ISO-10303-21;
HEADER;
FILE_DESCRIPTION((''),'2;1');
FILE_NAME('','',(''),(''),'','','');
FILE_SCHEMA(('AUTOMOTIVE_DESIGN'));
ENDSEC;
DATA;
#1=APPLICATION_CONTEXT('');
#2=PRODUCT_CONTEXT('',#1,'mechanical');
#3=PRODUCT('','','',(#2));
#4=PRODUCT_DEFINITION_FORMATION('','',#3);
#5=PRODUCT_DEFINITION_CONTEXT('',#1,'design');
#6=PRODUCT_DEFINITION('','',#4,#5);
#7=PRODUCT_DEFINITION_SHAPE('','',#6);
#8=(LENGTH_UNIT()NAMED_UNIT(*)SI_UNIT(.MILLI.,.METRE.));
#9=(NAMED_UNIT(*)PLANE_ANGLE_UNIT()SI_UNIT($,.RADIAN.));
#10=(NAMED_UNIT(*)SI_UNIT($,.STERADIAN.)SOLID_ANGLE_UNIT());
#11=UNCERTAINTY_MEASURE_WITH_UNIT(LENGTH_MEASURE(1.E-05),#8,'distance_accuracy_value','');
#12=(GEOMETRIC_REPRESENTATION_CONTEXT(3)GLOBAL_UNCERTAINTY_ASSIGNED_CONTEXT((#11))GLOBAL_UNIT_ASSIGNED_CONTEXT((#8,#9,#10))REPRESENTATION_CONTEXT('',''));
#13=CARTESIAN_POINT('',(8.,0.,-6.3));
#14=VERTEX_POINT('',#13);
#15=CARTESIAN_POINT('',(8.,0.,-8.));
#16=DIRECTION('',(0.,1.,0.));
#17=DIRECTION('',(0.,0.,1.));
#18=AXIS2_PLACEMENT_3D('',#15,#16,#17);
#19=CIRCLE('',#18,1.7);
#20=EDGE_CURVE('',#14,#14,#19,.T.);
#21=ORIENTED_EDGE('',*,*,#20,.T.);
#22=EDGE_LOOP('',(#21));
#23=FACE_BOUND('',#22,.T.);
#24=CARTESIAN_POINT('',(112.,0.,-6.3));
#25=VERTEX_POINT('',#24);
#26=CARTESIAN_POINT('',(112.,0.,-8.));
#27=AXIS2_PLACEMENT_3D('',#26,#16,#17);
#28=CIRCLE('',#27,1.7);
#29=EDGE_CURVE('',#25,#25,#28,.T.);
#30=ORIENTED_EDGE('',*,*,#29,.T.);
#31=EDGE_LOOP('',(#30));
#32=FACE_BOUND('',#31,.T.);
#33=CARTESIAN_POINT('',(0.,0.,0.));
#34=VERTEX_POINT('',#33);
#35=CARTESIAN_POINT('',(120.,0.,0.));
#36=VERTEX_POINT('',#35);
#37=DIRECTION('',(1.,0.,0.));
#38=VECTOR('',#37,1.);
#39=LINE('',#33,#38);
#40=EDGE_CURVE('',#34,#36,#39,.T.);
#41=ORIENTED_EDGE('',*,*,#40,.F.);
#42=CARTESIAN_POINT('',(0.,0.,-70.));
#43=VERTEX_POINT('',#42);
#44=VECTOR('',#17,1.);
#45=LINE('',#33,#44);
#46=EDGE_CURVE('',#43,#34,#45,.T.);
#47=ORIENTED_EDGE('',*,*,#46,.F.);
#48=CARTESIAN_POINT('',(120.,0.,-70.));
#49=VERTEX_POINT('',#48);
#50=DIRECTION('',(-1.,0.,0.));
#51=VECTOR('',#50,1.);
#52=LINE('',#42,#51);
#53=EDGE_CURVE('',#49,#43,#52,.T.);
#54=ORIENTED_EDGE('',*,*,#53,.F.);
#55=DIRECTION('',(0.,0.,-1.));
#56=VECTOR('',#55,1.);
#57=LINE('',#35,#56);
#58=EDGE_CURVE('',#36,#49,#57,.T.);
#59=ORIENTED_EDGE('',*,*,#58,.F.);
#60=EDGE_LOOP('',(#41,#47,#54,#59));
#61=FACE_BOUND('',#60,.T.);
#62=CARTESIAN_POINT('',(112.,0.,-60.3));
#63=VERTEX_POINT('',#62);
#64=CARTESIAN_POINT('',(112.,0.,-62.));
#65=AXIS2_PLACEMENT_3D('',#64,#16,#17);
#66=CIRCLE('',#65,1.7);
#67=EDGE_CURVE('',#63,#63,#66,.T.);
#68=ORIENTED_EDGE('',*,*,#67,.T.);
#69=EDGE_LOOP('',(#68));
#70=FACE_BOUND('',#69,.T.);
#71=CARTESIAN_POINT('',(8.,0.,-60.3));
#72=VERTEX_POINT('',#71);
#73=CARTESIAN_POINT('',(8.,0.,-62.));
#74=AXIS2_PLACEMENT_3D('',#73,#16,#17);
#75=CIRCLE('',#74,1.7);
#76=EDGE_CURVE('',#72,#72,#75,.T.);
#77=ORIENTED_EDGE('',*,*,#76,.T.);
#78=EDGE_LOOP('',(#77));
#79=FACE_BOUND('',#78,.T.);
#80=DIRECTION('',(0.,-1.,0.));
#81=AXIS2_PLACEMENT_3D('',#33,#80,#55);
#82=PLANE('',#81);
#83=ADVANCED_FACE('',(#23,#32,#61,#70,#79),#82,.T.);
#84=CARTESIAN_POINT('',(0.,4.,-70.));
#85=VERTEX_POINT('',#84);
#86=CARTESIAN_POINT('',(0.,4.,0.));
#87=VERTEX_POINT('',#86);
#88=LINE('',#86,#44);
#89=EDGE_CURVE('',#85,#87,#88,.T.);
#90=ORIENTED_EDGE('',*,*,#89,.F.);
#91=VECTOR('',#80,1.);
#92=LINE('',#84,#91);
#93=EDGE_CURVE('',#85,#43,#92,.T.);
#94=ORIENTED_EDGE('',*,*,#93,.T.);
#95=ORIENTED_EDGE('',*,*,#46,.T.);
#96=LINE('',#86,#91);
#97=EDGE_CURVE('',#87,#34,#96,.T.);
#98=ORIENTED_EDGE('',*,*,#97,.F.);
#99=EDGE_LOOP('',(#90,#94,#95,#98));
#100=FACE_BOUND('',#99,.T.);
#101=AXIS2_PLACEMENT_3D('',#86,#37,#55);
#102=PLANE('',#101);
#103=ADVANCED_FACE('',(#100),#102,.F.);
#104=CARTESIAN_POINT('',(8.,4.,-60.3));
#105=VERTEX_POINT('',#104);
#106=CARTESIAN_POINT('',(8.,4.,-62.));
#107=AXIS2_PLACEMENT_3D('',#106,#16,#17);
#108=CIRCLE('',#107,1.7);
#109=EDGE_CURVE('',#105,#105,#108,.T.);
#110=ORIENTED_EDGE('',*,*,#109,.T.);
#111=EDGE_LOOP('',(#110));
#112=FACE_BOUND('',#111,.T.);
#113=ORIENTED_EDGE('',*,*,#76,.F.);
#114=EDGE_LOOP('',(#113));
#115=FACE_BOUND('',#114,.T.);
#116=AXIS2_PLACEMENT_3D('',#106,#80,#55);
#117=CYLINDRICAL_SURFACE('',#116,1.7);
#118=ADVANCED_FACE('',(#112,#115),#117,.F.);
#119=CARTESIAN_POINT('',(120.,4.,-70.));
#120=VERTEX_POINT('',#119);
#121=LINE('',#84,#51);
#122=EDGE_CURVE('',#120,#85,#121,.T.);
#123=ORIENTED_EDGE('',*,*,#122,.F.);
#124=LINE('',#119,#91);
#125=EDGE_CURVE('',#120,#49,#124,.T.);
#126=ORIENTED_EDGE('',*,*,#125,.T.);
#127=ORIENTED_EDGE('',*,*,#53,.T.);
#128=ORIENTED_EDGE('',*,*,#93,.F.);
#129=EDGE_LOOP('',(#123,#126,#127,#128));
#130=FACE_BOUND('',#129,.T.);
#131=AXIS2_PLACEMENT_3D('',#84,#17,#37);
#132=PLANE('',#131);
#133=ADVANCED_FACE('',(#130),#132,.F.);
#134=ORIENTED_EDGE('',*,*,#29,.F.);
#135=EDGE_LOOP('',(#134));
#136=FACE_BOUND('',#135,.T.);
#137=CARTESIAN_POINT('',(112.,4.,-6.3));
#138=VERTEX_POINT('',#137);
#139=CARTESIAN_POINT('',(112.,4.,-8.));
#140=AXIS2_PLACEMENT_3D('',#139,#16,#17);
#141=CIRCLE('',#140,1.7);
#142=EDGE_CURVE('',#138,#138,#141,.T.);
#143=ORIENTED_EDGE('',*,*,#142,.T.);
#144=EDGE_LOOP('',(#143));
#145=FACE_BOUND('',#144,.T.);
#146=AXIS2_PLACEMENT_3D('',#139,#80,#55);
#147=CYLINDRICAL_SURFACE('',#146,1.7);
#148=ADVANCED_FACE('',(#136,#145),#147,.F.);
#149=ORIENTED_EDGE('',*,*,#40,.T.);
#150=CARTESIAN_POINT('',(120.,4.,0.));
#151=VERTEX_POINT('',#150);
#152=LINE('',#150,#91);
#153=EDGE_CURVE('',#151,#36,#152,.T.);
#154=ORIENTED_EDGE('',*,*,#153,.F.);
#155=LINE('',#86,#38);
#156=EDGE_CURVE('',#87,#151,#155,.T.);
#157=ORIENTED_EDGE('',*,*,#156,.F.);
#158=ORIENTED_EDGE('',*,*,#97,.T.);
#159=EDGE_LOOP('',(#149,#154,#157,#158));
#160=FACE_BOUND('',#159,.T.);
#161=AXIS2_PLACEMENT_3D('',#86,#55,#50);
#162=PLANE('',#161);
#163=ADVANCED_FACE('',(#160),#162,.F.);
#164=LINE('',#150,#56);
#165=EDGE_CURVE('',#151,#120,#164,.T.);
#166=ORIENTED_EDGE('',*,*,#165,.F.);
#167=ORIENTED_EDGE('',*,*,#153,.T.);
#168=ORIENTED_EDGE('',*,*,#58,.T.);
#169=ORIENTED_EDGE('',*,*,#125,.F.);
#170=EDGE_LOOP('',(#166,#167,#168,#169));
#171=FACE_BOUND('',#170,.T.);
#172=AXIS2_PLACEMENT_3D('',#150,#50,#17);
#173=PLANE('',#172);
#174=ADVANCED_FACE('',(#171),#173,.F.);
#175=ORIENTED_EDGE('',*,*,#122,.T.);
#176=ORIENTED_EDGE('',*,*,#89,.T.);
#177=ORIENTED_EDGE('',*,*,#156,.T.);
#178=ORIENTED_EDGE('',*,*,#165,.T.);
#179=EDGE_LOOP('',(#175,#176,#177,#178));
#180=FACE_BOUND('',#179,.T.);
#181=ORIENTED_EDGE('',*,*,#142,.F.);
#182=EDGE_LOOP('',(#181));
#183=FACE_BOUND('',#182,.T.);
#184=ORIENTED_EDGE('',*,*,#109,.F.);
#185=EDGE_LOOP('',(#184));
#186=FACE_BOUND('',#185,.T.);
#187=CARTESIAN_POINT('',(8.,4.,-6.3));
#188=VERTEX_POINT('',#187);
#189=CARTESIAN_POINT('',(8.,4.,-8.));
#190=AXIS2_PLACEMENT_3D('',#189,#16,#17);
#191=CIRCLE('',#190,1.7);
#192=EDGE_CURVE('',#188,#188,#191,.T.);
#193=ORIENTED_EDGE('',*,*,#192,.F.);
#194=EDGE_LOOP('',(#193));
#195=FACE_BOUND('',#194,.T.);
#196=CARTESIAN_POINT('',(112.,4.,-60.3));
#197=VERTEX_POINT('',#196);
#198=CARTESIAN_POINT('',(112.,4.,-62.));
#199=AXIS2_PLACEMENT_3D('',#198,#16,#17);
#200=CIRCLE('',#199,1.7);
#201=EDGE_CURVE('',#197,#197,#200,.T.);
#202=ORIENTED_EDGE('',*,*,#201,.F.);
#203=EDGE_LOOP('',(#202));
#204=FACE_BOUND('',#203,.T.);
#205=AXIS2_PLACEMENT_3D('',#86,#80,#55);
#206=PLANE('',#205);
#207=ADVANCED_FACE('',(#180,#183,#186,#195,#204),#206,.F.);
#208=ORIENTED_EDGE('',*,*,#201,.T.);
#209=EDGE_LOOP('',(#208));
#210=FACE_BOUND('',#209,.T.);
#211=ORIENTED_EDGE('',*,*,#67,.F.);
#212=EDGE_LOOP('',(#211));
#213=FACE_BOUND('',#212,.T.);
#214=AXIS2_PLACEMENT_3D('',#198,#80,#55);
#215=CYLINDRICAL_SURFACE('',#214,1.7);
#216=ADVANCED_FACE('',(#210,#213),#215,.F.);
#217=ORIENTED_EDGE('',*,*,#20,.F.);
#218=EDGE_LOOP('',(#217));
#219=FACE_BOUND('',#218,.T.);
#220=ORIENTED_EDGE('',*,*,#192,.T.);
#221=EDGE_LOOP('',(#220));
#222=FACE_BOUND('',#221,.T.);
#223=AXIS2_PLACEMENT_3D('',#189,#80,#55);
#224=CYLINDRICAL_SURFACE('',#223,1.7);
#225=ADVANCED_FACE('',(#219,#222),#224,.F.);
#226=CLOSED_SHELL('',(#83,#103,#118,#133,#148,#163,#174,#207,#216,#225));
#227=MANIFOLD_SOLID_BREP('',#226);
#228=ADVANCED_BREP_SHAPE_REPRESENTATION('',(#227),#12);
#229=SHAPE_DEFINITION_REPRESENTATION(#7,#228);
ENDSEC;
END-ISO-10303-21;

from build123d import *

# Parameters (mm, degrees)
SKETCH1_W           = 120
SKETCH1_H           = 70
SKETCH1_R           = 1.7
BOSS_EXTRUDE1_DEPTH = 4


with BuildPart() as part:
    # Sketch1 → Boss-Extrude1 (new body)
    with BuildSketch(Plane(origin=(0, 0, 0), x_dir=(1, 0, 0), z_dir=(0, 1, 0))):
        with Locations((60, 35)):
            Rectangle(SKETCH1_W, SKETCH1_H)
        with Locations(Location((8, 62, 0), (0, 0, 270))):
            Circle(SKETCH1_R, mode=Mode.SUBTRACT)
        with Locations(Location((112, 62, 0), (0, 0, 270))):
            Circle(SKETCH1_R, mode=Mode.SUBTRACT)
        with Locations(Location((112, 8, 0), (0, 0, 270))):
            Circle(SKETCH1_R, mode=Mode.SUBTRACT)
        with Locations(Location((8, 8, 0), (0, 0, 270))):
            Circle(SKETCH1_R, mode=Mode.SUBTRACT)
    extrude(amount=BOSS_EXTRUDE1_DEPTH)


solid = part.part
